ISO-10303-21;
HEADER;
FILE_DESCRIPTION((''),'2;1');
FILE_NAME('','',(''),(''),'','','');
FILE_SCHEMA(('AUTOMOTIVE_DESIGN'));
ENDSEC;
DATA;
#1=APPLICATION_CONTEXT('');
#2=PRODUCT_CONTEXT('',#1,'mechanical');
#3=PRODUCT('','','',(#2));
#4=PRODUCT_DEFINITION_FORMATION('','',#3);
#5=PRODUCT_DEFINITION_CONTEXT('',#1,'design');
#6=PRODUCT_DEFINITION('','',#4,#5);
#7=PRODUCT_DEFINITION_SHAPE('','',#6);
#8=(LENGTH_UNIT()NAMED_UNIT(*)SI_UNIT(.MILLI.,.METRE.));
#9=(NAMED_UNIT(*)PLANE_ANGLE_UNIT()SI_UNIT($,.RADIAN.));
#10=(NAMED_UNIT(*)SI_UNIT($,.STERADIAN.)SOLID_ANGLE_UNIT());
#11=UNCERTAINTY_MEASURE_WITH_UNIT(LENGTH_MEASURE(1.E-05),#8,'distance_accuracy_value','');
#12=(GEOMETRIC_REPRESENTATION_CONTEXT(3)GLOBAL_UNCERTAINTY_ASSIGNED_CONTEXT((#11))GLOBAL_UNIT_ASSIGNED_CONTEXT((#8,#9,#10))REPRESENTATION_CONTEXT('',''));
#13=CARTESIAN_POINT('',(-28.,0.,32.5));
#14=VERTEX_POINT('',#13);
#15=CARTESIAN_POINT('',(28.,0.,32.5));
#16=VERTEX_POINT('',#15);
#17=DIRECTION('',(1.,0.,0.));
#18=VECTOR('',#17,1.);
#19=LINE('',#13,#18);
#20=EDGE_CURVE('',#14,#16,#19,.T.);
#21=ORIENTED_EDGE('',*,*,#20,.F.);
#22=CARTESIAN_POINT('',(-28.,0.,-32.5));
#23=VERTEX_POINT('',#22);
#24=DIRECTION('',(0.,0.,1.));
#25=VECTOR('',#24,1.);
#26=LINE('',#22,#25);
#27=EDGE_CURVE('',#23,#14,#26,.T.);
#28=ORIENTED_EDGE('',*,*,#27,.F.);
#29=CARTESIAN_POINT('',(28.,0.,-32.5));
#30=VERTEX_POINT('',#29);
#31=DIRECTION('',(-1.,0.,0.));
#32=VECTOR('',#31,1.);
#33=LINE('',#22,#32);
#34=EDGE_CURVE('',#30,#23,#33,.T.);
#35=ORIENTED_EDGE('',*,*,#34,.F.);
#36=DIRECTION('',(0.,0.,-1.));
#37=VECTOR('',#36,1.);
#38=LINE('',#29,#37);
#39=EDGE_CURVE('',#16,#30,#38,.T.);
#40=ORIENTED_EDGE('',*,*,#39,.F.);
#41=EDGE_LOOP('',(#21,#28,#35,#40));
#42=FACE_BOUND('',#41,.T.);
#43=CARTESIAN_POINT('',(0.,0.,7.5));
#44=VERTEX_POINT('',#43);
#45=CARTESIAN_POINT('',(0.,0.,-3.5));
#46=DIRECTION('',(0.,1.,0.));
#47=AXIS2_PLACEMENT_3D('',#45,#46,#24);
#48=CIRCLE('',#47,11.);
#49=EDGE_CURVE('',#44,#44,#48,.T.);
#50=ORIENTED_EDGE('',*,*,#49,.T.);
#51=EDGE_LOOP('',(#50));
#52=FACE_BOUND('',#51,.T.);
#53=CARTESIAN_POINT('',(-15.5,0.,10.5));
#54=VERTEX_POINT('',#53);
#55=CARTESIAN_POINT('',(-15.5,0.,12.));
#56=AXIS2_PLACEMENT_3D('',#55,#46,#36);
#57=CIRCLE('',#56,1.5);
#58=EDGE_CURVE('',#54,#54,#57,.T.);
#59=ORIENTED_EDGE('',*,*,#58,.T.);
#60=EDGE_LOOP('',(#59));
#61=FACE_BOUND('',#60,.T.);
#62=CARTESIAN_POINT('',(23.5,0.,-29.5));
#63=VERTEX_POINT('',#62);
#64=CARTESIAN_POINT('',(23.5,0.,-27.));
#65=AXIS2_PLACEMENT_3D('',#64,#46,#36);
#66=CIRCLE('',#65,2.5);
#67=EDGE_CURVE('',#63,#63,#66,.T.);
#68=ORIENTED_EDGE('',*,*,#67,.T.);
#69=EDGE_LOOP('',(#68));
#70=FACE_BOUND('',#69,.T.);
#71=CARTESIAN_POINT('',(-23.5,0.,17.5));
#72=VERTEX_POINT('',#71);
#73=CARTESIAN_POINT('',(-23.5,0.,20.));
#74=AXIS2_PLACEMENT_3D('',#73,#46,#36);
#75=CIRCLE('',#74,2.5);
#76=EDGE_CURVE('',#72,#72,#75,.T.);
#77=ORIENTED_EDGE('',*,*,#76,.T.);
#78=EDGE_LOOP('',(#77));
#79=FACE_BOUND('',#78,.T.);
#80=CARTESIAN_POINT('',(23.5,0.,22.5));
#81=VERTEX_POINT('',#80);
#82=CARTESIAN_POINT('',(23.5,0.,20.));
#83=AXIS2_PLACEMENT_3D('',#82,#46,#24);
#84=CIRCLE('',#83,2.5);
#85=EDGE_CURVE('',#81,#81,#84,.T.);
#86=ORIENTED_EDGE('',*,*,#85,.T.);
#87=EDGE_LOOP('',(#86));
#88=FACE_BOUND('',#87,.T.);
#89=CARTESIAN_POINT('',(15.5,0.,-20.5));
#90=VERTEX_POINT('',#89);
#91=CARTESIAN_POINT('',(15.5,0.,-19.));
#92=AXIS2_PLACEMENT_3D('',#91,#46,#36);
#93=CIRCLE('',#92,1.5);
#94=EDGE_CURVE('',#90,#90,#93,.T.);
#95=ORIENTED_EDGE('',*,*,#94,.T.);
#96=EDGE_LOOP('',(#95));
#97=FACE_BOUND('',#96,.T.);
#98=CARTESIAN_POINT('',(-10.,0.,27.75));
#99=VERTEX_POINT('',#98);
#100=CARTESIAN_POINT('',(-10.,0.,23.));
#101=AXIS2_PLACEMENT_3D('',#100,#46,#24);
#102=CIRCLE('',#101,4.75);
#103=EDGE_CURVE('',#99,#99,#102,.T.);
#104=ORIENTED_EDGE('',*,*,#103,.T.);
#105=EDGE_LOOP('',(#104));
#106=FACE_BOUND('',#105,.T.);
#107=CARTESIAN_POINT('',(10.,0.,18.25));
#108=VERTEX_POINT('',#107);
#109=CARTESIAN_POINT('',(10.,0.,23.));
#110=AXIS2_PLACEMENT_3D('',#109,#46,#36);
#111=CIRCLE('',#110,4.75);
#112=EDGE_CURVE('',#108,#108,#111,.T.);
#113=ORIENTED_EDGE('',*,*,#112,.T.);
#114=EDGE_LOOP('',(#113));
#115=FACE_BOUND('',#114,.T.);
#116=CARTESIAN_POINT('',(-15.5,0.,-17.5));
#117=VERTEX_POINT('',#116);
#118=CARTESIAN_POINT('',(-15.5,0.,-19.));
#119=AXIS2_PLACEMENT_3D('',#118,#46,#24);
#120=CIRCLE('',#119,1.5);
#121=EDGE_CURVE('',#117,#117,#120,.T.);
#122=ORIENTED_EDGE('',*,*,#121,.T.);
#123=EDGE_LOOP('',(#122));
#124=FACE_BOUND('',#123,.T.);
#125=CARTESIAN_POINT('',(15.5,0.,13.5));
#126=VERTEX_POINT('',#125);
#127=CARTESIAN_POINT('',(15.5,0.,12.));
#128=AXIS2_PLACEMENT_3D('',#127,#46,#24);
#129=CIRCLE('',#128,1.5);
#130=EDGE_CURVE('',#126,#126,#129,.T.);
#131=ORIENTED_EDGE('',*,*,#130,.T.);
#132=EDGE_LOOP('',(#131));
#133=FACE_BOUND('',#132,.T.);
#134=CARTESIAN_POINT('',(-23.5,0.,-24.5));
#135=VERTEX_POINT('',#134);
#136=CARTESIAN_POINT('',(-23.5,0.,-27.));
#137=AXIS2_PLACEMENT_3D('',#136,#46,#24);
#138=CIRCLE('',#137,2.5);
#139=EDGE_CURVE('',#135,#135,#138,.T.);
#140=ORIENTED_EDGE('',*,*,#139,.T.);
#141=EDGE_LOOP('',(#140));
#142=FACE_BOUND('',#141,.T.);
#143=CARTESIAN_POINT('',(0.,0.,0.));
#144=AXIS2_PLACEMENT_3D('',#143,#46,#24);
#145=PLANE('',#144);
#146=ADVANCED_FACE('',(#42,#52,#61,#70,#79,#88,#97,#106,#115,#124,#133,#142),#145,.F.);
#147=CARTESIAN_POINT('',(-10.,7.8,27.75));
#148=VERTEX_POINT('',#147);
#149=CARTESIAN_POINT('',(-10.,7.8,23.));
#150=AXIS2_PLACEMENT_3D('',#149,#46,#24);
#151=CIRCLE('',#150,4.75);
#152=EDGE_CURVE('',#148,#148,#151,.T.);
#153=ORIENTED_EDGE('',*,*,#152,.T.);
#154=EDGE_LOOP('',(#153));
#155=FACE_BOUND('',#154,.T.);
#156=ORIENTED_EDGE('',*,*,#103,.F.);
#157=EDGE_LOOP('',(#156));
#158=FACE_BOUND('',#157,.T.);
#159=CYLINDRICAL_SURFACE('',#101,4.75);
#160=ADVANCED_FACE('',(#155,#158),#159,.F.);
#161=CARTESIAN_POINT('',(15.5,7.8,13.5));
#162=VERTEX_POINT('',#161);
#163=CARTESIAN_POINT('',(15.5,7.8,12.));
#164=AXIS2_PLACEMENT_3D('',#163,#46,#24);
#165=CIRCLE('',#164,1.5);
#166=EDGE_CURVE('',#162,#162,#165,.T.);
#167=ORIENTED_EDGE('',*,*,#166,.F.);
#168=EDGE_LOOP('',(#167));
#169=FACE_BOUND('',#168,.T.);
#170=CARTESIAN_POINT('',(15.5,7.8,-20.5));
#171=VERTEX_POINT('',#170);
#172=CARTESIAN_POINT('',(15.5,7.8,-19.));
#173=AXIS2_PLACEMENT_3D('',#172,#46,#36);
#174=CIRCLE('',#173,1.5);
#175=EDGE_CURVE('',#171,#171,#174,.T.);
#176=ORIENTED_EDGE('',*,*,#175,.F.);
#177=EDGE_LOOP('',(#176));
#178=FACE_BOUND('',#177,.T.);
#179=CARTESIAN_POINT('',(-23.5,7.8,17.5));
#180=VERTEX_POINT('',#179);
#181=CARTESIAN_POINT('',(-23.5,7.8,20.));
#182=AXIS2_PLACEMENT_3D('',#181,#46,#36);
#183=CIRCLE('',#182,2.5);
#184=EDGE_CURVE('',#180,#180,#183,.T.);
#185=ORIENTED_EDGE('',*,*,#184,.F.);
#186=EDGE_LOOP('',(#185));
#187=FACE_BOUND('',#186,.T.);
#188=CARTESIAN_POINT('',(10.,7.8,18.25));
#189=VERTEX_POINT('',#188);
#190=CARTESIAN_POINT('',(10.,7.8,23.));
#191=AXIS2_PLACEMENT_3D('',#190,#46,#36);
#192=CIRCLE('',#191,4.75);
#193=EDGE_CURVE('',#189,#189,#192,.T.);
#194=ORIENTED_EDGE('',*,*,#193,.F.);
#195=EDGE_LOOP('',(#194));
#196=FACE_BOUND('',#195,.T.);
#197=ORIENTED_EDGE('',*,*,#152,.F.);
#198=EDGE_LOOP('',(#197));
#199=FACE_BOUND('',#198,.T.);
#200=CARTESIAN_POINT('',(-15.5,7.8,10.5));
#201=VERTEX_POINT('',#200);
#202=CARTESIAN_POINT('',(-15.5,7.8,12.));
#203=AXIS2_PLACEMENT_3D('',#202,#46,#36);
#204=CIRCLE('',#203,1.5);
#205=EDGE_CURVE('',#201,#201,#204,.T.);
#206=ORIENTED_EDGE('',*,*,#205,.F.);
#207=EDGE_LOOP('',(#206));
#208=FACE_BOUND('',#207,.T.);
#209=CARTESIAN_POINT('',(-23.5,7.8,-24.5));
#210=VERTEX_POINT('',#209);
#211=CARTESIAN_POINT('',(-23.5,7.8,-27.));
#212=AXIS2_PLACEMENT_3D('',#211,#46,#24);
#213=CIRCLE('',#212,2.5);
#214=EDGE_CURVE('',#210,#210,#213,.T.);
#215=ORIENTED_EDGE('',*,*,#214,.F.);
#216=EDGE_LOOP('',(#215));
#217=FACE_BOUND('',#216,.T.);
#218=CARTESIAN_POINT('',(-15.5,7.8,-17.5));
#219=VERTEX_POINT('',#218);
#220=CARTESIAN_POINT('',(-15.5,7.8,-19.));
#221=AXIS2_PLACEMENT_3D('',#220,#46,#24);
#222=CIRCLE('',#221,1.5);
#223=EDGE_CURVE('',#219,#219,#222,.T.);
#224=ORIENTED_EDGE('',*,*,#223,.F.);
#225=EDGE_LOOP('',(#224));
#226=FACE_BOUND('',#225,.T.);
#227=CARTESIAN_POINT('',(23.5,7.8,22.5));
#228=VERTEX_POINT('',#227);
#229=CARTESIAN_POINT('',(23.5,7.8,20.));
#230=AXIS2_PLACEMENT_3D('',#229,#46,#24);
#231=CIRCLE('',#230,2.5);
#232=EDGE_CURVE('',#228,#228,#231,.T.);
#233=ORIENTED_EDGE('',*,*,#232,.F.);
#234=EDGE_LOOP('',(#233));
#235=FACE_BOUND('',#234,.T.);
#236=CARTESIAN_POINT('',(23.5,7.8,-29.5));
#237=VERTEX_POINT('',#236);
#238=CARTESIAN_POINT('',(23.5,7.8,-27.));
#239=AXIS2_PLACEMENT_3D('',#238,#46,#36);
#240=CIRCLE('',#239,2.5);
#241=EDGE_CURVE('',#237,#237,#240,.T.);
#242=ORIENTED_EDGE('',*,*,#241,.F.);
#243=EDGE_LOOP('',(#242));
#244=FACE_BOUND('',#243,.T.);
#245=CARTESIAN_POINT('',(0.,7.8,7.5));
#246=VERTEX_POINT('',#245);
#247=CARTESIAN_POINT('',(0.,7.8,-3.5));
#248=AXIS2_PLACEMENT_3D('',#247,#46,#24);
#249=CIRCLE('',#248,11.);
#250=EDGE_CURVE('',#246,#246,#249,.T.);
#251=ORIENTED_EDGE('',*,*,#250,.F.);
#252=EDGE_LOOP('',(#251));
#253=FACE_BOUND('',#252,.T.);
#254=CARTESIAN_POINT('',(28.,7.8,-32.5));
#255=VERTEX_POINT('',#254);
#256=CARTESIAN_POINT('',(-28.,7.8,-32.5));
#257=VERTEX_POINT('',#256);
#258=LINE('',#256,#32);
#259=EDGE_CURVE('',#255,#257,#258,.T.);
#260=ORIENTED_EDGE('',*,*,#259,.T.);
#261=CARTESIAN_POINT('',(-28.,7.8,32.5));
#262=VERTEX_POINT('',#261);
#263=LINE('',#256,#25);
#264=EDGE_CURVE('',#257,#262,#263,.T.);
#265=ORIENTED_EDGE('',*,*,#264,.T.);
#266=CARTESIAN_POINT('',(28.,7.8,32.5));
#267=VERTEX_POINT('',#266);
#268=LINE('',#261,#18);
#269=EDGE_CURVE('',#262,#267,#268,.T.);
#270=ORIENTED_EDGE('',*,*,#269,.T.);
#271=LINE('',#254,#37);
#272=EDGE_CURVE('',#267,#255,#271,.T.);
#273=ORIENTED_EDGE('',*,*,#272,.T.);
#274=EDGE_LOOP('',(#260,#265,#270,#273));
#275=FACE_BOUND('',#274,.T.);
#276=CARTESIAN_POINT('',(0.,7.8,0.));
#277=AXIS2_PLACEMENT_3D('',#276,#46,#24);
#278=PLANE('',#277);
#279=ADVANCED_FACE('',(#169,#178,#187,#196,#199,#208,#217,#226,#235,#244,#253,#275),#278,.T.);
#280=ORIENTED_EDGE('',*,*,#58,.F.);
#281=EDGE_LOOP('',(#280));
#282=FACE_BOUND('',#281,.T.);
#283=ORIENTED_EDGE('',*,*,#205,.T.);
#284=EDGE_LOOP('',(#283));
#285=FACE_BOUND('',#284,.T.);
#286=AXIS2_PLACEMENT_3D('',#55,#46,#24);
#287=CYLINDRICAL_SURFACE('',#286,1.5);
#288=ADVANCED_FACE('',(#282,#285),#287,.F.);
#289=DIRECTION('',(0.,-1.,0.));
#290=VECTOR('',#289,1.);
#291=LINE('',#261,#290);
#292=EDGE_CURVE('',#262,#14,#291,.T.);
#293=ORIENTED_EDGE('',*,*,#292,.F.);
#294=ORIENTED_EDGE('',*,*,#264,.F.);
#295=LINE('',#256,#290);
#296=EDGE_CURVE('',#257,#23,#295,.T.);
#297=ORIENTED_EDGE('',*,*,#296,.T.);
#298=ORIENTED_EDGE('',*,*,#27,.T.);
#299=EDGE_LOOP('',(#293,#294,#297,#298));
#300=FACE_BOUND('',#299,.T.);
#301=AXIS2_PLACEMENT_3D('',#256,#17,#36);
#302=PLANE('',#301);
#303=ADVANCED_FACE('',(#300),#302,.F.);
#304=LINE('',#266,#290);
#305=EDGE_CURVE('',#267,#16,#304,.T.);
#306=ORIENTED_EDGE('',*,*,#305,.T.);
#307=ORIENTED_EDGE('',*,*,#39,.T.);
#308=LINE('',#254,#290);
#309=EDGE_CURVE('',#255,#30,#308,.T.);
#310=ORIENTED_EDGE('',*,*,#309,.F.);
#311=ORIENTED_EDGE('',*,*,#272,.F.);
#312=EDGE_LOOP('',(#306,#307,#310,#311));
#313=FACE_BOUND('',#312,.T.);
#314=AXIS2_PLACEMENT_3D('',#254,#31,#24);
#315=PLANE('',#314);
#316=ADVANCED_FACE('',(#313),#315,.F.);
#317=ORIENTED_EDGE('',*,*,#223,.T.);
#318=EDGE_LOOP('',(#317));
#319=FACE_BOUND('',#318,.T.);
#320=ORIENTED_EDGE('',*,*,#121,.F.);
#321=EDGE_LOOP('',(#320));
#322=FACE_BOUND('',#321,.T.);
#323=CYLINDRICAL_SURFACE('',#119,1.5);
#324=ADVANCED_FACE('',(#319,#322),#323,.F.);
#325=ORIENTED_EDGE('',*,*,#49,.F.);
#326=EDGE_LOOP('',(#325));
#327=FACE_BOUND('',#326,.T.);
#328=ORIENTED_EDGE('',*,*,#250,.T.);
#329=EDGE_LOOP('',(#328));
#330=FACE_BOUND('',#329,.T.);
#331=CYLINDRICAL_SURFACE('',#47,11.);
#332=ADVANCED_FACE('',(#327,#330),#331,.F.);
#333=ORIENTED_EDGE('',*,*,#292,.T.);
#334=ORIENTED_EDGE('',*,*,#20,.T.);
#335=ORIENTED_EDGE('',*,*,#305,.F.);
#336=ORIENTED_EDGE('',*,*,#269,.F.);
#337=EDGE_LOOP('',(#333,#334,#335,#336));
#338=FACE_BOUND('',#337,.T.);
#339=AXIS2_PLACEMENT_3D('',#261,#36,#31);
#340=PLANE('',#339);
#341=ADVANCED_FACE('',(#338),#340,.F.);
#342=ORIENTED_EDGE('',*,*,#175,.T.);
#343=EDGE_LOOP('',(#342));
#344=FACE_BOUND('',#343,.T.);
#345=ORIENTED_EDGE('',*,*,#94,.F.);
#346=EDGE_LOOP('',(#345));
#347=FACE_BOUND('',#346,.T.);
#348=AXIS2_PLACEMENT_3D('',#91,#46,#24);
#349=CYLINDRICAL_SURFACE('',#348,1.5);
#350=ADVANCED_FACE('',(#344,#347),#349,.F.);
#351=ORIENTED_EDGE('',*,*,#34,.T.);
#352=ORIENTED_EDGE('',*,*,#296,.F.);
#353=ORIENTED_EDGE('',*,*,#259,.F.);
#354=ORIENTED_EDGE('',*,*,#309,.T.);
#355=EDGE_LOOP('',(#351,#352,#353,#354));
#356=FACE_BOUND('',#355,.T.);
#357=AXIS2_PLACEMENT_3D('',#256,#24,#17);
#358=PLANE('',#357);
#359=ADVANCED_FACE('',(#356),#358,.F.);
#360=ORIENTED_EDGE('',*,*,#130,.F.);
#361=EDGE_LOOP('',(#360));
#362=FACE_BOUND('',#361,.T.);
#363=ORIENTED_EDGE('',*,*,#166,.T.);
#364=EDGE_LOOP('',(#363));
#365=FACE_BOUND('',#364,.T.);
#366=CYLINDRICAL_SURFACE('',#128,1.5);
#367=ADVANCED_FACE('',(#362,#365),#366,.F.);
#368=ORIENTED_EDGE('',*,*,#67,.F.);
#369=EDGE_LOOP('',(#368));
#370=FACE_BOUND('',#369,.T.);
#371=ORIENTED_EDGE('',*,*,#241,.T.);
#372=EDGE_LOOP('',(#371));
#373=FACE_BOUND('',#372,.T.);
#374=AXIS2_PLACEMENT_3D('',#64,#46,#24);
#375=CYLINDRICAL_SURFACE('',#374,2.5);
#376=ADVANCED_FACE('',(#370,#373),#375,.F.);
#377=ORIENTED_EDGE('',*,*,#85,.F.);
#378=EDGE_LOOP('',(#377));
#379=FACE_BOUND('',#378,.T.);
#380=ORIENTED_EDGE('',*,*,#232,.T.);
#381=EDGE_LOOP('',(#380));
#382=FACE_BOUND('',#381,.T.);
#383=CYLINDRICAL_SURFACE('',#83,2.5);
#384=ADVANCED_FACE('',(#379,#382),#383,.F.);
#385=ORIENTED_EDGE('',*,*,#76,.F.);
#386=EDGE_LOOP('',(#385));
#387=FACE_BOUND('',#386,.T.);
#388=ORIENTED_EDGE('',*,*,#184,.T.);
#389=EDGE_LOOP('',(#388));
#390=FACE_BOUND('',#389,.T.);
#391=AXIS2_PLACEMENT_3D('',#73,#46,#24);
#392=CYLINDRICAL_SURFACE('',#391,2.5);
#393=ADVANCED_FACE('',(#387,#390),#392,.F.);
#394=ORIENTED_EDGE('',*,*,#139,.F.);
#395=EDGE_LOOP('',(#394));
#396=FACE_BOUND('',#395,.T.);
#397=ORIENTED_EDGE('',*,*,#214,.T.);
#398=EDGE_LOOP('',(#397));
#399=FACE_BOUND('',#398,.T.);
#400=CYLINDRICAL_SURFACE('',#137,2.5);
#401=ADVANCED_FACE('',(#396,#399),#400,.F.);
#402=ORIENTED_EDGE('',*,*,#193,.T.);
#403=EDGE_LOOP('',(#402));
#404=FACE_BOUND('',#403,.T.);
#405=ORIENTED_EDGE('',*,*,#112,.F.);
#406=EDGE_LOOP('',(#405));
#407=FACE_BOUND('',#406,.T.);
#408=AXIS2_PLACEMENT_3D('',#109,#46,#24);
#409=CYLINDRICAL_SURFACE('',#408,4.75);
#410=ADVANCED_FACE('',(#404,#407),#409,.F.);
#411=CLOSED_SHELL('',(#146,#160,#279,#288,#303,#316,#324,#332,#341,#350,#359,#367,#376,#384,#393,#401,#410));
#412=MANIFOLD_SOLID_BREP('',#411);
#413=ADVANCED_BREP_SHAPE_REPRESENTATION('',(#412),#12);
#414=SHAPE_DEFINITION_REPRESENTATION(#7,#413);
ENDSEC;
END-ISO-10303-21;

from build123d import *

# Parameters (mm, degrees)
SKETCH_1_W          = 56
SKETCH_1_H          = 65
EXTRUDE_1_DEPTH     = 7.8
SKETCH_3_R          = 4.75
CUT_EXTRUDE_2_DEPTH = 8.8
SKETCH_4_R          = 11
SKETCH_4_R_2        = 1.5
SKETCH_4_R_3        = 2.5
CUT_EXTRUDE_3_DEPTH = 8.8


with BuildPart() as part:
    # 草图1 → 凸台-拉伸1 (new body)
    with BuildSketch(Plane(origin=(0, 0, 0), x_dir=(1, 0, 0), z_dir=(0, 1, 0))):
        Rectangle(SKETCH_1_W, SKETCH_1_H)
    extrude(amount=EXTRUDE_1_DEPTH)

    # 草图3 → 切除-拉伸2 (cut, through all)
    with BuildSketch(Plane(origin=(0, 7.8, 0), x_dir=(1, 0, 0), z_dir=(0, 1, 0))):
        with Locations((-10, -23)):
            Circle(SKETCH_3_R)
        with Locations((10, -23)):
            Circle(SKETCH_3_R)
    extrude(amount=-CUT_EXTRUDE_2_DEPTH, mode=Mode.SUBTRACT)

    # 草图4 → 切除-拉伸3 (cut, through all)
    with BuildSketch(Plane(origin=(0, 7.8, 0), x_dir=(1, 0, 0), z_dir=(0, 1, 0))):
        with Locations((0, 3.5)):
            Circle(SKETCH_4_R)
        with Locations((-15.5, 19)):
            Circle(SKETCH_4_R_2)
        with Locations((15.5, 19)):
            Circle(SKETCH_4_R_2)
        with Locations((15.5, -12)):
            Circle(SKETCH_4_R_2)
        with Locations((-15.5, -12)):
            Circle(SKETCH_4_R_2)
        with Locations((-23.5, 27)):
            Circle(SKETCH_4_R_3)
        with Locations((23.5, 27)):
            Circle(SKETCH_4_R_3)
        with Locations((23.5, -20)):
            Circle(SKETCH_4_R_3)
        with Locations((-23.5, -20)):
            Circle(SKETCH_4_R_3)
    extrude(amount=-CUT_EXTRUDE_3_DEPTH, mode=Mode.SUBTRACT)


solid = part.part
